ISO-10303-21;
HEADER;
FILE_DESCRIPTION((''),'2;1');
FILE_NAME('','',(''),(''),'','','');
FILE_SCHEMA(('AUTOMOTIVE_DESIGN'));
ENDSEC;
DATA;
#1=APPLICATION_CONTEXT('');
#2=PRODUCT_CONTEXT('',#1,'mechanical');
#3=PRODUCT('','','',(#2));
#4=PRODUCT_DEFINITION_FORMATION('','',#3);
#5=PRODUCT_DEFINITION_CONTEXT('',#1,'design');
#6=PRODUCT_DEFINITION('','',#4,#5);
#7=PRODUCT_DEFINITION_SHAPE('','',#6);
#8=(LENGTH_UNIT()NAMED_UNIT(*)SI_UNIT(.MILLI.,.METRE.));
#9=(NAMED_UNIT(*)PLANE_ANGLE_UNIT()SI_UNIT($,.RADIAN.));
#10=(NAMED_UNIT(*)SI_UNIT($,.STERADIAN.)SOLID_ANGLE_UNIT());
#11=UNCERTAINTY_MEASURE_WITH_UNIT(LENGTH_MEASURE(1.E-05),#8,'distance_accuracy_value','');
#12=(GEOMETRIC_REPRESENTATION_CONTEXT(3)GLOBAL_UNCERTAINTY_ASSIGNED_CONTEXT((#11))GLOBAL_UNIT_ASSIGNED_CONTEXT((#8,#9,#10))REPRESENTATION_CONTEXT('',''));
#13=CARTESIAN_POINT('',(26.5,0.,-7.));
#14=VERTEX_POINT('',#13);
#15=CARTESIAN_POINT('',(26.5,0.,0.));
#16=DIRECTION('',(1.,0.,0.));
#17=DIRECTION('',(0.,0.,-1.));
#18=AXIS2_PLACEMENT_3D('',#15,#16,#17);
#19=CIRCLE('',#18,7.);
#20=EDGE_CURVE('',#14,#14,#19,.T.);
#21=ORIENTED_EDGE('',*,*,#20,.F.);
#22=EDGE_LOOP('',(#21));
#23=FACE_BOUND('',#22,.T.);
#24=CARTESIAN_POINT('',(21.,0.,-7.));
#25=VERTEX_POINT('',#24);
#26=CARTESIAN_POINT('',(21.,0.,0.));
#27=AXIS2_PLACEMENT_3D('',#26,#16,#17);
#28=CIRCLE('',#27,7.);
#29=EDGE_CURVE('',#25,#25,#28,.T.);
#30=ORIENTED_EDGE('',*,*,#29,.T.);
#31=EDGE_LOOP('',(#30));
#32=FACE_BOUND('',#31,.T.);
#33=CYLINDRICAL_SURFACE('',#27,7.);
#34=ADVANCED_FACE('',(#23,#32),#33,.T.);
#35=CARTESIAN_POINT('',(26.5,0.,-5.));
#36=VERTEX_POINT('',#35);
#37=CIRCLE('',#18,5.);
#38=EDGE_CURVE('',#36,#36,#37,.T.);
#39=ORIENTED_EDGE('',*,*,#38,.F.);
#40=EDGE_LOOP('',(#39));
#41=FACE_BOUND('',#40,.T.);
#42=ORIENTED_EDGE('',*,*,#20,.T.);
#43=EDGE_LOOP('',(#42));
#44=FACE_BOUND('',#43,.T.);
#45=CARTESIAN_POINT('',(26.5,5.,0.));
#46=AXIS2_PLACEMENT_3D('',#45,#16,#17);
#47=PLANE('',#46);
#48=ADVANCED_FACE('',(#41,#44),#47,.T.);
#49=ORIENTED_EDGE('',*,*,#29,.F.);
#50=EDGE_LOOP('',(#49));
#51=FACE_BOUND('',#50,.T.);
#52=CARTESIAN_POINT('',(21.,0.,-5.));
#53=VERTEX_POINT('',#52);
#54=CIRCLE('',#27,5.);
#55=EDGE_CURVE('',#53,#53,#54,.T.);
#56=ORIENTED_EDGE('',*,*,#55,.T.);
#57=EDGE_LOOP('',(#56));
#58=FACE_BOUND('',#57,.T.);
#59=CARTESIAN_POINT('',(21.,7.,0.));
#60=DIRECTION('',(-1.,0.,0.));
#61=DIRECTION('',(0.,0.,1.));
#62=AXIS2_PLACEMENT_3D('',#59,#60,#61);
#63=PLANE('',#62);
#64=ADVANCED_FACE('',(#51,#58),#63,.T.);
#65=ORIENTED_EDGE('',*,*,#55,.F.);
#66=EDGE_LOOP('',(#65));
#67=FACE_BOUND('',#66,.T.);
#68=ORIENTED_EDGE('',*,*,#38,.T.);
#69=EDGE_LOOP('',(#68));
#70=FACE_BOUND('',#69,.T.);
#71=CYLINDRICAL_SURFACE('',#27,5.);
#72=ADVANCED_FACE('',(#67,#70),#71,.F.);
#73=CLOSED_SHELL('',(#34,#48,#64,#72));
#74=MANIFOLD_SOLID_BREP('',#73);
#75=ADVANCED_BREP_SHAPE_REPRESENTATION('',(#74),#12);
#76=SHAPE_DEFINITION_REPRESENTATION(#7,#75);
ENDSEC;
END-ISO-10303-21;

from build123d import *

# Parameters (mm, degrees)
SKETCH1_W = 5.5
SKETCH1_H = 2


with BuildPart() as part:
    # Sketch1 → Revolve1 (revolve)
    with BuildSketch(Plane.XY, mode=Mode.PRIVATE) as revolve1_sk:
        with Locations((23.75, 6)):
            Rectangle(SKETCH1_W, SKETCH1_H)
    revolve(revolve1_sk.sketch.rotate(Axis((21, 0, 0), (1, 0, 0)), 270), axis=Axis((21, 0, 0), (1, 0, 0)))


solid = part.part
